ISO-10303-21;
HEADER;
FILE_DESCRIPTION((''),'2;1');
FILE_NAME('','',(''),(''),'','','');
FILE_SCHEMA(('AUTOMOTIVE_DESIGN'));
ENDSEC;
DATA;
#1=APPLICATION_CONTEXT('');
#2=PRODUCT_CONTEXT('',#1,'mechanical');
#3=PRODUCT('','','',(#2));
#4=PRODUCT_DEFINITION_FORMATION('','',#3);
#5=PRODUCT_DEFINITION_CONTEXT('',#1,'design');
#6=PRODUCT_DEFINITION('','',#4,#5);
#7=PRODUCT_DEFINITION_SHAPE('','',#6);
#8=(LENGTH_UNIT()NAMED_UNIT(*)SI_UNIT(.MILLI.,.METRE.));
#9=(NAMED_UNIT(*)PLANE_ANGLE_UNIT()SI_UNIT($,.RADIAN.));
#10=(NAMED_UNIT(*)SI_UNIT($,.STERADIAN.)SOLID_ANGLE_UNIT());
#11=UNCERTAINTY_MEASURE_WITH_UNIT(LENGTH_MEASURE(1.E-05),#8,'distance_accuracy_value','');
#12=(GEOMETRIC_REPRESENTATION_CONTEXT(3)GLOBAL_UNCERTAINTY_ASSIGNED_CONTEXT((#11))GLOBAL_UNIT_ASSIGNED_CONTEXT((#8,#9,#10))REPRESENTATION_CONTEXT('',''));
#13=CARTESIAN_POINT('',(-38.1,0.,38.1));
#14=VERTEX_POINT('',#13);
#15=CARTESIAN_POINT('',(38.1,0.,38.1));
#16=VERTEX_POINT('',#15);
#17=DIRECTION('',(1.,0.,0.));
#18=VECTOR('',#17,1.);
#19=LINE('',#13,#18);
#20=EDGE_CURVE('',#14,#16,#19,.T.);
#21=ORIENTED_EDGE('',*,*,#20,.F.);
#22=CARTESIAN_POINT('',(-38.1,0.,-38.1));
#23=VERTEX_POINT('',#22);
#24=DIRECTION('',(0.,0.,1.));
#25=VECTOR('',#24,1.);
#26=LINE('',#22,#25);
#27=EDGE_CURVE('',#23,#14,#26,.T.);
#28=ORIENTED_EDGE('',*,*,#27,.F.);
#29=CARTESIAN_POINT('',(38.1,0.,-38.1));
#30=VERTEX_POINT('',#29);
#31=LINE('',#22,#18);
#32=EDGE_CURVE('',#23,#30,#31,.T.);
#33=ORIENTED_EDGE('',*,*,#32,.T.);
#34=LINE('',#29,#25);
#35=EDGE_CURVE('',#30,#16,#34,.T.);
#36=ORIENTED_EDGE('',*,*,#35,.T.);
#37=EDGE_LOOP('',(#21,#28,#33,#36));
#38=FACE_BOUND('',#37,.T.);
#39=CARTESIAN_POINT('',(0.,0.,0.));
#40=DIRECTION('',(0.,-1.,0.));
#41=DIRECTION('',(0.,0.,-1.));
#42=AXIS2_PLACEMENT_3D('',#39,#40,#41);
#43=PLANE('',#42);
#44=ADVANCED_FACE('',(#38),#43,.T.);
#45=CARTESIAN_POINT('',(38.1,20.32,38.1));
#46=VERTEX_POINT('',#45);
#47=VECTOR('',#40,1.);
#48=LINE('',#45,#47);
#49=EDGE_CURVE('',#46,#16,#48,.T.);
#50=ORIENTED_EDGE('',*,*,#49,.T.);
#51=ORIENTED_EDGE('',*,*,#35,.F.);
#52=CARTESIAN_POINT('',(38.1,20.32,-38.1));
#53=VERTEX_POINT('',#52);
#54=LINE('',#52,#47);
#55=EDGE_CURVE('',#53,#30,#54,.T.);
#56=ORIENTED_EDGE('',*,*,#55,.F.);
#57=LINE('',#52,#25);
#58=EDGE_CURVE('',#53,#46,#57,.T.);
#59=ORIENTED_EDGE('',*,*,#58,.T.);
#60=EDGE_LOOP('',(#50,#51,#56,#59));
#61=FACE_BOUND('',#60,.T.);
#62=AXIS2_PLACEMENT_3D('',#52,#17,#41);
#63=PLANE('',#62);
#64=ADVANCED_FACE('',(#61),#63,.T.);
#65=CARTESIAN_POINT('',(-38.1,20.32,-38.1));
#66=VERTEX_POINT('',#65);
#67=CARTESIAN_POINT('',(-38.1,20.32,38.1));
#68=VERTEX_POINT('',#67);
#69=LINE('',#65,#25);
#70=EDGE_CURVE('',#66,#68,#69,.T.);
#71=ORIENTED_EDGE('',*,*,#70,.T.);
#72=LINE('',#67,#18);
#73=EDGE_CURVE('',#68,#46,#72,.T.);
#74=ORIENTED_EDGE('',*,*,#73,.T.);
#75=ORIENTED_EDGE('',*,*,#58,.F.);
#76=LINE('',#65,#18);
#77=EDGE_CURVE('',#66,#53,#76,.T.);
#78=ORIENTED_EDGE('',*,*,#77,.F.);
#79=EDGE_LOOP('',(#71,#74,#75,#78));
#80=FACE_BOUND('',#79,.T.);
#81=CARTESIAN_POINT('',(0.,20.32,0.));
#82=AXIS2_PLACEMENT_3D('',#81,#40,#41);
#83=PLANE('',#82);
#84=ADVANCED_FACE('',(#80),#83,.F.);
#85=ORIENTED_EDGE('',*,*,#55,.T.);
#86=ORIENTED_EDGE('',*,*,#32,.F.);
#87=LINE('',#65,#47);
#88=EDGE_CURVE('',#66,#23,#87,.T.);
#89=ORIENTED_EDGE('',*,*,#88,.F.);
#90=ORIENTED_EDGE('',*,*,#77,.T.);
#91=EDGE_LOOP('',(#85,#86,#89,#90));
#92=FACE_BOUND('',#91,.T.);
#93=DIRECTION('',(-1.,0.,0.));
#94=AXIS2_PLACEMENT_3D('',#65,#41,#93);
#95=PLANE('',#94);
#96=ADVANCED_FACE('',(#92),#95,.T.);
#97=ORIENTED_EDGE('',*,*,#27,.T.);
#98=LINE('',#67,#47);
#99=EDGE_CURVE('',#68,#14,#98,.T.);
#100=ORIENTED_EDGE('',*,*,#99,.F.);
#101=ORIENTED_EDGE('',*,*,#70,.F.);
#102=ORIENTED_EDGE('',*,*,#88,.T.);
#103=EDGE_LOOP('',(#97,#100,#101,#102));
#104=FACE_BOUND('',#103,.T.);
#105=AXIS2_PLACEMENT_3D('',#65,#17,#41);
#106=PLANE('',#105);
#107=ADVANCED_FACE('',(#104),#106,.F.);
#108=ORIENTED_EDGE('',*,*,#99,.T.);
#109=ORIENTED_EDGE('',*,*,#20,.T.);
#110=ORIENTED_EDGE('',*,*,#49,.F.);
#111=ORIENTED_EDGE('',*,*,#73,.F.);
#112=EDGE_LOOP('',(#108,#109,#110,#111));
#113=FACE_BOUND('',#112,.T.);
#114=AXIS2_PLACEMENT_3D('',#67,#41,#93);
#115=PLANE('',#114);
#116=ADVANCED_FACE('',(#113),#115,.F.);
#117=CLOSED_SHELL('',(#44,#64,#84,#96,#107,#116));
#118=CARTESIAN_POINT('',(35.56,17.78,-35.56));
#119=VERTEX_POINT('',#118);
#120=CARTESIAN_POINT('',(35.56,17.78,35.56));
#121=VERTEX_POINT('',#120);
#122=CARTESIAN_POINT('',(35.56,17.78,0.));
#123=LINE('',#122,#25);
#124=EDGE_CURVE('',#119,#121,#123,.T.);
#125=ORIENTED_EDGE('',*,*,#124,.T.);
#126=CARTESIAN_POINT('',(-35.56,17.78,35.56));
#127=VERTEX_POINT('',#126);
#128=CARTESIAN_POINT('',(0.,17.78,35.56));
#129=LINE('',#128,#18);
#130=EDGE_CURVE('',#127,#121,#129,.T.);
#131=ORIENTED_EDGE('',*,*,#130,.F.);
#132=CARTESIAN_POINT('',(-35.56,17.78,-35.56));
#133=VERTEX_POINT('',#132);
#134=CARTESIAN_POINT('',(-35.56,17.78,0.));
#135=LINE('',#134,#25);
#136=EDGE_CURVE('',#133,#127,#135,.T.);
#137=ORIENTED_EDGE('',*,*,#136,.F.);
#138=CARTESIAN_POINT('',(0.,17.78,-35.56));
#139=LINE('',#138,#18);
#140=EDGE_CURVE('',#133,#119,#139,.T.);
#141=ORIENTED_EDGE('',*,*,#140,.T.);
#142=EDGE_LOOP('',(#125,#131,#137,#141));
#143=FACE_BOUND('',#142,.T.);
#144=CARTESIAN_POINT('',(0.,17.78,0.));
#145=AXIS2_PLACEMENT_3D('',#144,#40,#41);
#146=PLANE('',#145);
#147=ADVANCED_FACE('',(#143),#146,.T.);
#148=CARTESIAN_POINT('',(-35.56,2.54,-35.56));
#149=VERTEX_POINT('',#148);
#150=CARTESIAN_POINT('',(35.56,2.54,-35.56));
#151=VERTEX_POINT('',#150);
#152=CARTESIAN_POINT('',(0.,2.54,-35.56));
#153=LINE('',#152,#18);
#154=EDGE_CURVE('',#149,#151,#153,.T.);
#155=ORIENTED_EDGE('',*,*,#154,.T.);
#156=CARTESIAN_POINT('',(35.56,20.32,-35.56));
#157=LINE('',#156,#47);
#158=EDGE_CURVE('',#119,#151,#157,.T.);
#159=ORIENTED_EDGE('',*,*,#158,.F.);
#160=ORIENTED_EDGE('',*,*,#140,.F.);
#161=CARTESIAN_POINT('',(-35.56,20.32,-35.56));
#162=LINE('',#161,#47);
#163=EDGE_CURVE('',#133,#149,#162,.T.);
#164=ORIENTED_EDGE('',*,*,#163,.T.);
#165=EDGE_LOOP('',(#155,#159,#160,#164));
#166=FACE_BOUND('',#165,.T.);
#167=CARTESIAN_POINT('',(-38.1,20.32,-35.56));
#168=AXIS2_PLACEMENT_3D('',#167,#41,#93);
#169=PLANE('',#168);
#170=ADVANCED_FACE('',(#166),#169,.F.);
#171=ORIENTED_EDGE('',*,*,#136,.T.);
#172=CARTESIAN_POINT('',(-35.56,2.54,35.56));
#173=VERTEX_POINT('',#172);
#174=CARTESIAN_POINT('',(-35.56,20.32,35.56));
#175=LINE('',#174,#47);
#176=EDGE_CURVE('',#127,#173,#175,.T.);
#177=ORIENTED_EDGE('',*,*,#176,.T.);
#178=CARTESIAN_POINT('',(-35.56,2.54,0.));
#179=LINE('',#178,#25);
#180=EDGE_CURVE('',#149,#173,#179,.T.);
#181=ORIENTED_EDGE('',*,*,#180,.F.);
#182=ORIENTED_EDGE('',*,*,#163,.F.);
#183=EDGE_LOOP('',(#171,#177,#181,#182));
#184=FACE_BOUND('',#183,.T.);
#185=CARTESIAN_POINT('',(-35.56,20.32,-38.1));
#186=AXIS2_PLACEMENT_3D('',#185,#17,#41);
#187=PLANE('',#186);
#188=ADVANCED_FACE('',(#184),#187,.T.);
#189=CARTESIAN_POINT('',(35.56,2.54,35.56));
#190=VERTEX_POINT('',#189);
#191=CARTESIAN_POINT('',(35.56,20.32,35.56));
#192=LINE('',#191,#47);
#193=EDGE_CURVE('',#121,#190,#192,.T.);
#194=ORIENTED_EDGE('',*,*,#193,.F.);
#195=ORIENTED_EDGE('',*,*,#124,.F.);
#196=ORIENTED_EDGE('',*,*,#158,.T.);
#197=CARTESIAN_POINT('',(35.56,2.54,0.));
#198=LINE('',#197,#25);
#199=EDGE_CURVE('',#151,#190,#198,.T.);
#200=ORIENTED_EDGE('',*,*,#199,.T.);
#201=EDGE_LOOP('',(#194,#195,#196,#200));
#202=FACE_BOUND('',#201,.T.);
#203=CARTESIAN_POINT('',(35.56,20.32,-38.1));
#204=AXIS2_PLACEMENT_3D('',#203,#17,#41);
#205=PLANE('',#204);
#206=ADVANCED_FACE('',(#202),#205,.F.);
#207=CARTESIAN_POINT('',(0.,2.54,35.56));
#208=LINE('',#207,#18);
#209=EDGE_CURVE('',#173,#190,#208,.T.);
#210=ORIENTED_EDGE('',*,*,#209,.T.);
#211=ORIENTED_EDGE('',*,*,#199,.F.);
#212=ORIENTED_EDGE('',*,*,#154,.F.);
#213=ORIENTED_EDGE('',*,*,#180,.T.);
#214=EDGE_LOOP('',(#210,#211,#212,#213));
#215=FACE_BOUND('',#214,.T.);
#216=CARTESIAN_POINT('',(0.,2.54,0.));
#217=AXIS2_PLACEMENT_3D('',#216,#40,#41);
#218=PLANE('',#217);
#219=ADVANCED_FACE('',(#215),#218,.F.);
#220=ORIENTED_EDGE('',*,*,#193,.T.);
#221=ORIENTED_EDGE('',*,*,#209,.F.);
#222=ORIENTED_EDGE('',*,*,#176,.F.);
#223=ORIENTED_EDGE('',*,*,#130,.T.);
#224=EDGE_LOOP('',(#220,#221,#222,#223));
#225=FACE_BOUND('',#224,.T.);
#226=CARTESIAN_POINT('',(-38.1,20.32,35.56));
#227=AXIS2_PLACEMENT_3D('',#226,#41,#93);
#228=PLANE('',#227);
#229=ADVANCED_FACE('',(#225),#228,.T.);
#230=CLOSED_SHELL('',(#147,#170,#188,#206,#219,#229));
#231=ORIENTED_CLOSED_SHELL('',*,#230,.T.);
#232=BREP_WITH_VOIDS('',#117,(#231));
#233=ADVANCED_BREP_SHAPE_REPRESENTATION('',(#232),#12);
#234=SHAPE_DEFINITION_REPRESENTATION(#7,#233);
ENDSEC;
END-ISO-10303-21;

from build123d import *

# Parameters (mm, degrees)
SKETCH1_W           = 76.2
SKETCH1_H           = 76.2
BOSS_EXTRUDE3_DEPTH = 20.32
SHELL3_T            = 2.54


with BuildPart() as part:
    # Sketch1 → Boss-Extrude3 (new body)
    with BuildSketch(Plane(origin=(0, 0, 0), x_dir=(1, 0, 0), z_dir=(0, 1, 0))):
        Rectangle(SKETCH1_W, SKETCH1_H)
    extrude(amount=BOSS_EXTRUDE3_DEPTH)

    # Shell3 (no face opened: a closed hollow body)
    add(offset(amount=-SHELL3_T, mode=Mode.PRIVATE), mode=Mode.SUBTRACT)


solid = part.part
